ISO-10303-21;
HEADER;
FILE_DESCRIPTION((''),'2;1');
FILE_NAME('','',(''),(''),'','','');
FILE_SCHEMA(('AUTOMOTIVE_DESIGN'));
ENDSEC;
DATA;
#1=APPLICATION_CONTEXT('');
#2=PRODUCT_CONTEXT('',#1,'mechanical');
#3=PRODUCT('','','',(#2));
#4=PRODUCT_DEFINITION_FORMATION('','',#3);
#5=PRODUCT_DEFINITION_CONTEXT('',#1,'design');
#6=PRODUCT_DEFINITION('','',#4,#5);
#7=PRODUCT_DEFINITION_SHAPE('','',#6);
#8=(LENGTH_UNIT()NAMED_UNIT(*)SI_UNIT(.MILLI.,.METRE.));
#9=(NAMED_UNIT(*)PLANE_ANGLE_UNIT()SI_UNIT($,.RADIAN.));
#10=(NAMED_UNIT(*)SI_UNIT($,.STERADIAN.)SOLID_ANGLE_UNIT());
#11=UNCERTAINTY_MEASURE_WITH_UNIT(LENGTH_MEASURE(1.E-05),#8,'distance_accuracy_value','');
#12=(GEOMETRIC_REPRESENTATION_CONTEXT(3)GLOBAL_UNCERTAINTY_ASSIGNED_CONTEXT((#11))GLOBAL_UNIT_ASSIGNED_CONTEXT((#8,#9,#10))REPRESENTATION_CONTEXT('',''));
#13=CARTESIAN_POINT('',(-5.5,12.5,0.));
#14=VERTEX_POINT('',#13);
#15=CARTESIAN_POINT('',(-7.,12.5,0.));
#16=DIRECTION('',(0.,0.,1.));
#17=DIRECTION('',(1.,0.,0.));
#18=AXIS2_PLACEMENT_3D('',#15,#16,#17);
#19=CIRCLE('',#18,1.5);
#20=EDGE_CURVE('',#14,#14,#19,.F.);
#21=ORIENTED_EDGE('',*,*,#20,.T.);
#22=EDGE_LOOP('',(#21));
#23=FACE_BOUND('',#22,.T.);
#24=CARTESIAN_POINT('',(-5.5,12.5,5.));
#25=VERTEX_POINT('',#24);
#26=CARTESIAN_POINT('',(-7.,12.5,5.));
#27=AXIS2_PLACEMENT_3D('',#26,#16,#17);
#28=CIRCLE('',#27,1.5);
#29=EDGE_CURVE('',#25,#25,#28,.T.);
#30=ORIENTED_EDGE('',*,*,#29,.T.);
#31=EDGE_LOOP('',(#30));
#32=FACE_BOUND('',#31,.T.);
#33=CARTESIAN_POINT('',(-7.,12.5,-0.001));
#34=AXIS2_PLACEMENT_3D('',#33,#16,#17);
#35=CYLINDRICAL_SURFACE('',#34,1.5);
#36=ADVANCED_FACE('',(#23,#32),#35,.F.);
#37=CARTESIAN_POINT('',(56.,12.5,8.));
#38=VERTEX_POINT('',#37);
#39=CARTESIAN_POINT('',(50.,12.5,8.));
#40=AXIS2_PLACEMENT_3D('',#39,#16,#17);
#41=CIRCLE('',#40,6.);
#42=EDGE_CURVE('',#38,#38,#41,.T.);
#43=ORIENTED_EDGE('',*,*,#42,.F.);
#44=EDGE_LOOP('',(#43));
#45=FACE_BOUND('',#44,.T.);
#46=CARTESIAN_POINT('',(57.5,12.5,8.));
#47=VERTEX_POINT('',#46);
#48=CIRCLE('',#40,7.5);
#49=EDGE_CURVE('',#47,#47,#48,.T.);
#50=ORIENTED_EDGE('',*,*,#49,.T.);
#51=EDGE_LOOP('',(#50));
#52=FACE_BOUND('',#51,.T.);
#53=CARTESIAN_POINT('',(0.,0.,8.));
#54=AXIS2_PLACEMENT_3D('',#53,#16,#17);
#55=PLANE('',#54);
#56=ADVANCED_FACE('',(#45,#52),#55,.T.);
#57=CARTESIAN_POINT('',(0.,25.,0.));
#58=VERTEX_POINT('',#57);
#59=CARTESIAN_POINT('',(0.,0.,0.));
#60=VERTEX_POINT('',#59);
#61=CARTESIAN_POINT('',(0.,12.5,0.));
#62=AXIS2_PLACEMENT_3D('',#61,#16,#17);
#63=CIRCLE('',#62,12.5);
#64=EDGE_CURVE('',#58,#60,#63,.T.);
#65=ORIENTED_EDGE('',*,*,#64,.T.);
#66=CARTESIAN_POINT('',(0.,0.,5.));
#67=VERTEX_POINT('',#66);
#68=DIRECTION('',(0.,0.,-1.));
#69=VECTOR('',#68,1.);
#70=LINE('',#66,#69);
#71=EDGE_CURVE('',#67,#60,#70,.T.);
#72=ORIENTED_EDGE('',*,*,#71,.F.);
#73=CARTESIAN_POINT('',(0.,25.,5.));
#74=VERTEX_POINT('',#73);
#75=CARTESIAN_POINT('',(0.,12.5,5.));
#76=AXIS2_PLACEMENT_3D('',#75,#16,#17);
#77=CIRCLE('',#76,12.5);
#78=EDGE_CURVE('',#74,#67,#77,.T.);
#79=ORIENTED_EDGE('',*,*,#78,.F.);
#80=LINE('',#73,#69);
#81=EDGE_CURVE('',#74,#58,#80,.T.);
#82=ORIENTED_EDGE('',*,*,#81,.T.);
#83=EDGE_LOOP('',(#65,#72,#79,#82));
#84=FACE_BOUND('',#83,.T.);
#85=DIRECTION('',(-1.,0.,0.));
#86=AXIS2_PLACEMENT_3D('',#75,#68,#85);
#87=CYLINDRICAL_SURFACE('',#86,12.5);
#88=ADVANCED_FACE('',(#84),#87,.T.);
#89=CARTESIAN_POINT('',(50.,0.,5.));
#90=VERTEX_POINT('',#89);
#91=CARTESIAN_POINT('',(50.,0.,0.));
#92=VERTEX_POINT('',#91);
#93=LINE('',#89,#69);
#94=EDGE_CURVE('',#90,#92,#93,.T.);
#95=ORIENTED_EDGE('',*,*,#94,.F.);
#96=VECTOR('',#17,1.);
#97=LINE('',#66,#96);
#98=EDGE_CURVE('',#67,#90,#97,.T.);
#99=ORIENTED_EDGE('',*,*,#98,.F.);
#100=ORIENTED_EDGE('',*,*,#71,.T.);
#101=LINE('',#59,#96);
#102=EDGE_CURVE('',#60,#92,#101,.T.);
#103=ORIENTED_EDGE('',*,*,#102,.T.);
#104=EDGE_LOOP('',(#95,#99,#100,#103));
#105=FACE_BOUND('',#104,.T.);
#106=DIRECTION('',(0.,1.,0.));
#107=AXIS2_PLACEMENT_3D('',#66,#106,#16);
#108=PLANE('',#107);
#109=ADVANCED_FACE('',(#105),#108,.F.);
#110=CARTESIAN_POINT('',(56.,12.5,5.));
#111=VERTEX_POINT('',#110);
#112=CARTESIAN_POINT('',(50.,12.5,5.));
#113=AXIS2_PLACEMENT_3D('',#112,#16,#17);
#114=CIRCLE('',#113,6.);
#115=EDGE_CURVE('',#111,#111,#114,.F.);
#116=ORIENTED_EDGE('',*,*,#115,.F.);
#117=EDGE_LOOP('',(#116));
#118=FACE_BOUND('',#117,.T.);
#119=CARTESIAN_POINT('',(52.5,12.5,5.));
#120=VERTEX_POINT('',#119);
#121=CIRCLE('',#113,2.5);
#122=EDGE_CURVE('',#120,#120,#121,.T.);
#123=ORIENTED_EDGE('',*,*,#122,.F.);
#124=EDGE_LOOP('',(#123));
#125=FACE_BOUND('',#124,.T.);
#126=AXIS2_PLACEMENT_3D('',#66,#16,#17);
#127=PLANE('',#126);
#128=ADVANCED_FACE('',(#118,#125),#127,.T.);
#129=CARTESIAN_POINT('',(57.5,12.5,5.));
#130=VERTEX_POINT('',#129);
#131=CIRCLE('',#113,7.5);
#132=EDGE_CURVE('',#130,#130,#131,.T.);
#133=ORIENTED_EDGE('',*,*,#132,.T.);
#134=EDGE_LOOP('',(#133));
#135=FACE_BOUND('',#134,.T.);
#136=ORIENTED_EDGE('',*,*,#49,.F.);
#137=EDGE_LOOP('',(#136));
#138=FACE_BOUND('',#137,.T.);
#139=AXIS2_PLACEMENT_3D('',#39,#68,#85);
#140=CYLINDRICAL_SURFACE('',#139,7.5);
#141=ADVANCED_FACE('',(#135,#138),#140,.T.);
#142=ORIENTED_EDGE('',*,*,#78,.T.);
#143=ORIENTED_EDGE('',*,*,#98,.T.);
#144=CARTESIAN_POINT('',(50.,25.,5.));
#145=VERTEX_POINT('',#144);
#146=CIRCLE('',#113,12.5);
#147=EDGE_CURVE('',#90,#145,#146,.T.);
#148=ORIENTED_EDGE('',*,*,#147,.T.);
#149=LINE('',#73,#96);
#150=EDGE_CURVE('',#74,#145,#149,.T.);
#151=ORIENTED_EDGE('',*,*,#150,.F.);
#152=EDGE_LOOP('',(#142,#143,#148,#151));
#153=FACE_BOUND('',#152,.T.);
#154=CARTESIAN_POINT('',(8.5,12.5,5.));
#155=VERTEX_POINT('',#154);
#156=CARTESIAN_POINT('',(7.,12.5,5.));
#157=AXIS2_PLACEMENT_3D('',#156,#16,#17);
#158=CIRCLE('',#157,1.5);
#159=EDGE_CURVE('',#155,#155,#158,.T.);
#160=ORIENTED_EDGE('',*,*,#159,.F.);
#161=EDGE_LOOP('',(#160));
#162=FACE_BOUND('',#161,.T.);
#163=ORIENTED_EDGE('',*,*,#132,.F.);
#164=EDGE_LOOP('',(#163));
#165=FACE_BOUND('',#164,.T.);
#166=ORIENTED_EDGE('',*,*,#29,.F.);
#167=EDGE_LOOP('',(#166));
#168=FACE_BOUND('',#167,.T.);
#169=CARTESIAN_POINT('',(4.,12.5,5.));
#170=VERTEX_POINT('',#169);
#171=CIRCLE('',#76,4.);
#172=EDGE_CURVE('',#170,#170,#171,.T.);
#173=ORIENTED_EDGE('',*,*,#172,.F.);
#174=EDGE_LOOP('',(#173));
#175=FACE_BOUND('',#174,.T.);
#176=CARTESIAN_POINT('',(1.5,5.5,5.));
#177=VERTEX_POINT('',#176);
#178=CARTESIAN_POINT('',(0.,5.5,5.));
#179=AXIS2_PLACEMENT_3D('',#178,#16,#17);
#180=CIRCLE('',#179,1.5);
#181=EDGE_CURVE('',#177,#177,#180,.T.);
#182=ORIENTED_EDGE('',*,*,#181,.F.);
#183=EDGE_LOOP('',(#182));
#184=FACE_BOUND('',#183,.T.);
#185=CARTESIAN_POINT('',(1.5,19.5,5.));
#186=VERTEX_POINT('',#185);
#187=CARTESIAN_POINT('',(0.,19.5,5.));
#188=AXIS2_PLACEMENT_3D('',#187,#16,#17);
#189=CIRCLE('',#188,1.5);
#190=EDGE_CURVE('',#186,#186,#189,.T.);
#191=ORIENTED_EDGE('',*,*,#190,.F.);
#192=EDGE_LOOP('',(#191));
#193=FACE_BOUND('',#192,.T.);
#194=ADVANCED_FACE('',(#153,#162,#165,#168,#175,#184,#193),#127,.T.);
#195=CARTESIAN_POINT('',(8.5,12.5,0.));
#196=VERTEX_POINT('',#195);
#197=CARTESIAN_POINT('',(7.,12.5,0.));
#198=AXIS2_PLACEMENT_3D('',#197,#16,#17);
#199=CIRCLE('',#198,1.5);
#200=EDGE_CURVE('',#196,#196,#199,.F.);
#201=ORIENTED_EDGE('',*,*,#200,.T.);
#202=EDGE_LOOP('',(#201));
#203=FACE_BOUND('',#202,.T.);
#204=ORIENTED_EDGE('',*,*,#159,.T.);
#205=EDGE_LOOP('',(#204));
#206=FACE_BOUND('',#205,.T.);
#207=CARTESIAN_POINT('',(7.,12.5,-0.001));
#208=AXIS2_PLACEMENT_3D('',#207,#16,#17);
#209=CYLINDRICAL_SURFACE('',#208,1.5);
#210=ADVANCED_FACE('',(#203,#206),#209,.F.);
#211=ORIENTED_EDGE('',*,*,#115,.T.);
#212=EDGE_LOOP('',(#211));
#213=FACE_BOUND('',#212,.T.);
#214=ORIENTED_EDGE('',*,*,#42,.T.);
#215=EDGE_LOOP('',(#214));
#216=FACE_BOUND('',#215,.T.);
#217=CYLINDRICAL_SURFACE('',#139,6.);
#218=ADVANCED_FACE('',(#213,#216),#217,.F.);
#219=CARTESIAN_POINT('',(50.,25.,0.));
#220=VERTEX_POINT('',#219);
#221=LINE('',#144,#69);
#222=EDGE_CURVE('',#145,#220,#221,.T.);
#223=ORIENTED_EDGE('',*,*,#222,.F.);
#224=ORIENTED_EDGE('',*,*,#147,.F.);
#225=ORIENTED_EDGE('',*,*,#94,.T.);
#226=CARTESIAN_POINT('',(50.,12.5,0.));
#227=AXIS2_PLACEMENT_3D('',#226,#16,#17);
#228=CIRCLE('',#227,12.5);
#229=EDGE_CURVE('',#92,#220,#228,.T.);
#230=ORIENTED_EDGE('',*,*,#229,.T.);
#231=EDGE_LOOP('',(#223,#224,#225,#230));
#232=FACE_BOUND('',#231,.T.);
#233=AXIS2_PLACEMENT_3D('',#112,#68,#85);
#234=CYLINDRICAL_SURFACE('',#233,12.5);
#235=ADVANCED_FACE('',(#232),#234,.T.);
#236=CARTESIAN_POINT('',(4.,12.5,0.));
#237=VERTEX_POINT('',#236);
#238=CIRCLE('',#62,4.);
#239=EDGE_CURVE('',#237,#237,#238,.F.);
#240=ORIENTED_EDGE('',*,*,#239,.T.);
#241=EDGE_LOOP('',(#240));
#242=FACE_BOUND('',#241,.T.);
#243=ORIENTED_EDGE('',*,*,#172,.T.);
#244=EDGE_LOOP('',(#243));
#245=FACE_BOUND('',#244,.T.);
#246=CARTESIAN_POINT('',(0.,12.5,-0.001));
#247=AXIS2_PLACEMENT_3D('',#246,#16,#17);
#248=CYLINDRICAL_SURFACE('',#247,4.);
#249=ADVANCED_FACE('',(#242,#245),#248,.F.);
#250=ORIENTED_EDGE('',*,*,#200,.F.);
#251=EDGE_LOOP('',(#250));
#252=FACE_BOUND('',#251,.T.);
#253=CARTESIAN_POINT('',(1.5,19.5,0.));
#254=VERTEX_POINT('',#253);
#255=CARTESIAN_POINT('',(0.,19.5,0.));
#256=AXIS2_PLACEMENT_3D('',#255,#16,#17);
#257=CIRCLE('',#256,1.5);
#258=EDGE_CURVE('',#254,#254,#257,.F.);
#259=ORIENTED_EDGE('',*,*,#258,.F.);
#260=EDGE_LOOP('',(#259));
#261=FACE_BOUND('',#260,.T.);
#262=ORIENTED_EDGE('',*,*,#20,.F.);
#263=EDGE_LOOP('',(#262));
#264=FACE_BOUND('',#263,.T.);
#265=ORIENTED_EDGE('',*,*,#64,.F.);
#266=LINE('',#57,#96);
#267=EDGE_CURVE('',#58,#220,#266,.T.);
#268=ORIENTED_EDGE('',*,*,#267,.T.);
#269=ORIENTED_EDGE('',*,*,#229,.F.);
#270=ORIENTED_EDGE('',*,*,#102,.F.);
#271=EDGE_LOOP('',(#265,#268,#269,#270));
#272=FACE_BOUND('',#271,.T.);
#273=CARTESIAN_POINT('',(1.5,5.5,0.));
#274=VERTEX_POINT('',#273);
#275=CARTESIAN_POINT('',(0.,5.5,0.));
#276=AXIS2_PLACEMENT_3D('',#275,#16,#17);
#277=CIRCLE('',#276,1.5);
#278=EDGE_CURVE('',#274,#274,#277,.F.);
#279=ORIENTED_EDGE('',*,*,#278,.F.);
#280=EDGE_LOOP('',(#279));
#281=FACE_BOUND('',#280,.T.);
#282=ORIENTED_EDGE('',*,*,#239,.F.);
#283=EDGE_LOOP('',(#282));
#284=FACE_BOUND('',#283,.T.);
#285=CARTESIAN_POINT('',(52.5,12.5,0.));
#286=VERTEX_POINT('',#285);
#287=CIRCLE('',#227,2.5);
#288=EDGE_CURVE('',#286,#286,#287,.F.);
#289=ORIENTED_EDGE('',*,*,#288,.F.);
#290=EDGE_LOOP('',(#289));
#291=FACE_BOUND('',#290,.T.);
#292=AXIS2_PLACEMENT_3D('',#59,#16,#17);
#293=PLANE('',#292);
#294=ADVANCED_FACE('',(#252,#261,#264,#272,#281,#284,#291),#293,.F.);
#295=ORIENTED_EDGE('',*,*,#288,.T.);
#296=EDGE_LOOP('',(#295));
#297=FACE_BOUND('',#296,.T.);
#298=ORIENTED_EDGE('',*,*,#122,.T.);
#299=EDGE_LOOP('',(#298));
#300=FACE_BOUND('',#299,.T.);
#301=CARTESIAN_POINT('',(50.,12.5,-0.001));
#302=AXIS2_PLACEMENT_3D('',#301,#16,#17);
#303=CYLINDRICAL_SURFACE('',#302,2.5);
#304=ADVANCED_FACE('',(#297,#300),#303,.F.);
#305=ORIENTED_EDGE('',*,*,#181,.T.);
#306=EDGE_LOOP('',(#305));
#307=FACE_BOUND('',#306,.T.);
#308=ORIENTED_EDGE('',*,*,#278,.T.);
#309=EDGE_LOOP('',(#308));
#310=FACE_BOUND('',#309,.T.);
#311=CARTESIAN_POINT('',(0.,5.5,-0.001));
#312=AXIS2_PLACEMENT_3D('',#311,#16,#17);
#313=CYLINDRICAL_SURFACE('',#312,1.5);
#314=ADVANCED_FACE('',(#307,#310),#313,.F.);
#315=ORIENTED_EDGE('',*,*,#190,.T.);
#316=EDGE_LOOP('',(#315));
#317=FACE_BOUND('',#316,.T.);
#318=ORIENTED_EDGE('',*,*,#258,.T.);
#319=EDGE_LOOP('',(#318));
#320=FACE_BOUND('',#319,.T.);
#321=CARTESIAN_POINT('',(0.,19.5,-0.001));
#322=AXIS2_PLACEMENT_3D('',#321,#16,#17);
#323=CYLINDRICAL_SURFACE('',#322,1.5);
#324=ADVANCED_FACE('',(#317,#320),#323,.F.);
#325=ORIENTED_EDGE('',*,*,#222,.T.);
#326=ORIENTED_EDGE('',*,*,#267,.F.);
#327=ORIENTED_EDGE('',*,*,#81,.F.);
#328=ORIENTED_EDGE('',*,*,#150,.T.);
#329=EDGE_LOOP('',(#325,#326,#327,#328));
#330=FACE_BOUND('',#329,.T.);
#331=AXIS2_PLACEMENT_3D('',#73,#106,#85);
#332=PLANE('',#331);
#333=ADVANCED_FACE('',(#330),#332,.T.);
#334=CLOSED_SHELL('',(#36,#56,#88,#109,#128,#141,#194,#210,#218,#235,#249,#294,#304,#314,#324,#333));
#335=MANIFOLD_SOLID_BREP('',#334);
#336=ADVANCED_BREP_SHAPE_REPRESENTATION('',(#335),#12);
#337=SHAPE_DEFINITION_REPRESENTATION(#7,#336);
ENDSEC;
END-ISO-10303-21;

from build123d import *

# Parameters (mm, degrees)
SKETCH1_R           = 12.5
SKETCH1_W           = 50
SKETCH1_H           = 25
BOSS_EXTRUDE2_DEPTH = 5
CUT_EXTRUDE3_REACH  = 69.5
SKETCH3_R           = 4
SKETCH3_R_2         = 2.5
SKETCH3_3_R         = 7.5
SKETCH3_3_R_2       = 6
BOSS_EXTRUDE3_DEPTH = 3
CUT_EXTRUDE4_REACH  = 69.5
SKETCH3_4_R         = 1.5


with BuildPart() as part:
    # Sketch1 → Boss-Extrude2 (new body)
    with BuildSketch(Plane.XY):
        with Locations((0, 12.5)):
            Circle(SKETCH1_R)
        with Locations((50, 12.5)):
            Circle(SKETCH1_R)
        with Locations((25, 12.5)):
            Rectangle(SKETCH1_W, SKETCH1_H)
    extrude(amount=BOSS_EXTRUDE2_DEPTH)

    # Sketch3 → Cut-Extrude3 (cut, up to next)
    with BuildSketch(Plane.XY.offset(5), mode=Mode.PRIVATE) as cut_extrude3_sk1:
        with Locations((0, 12.5)):
            Circle(SKETCH3_R)
    cut_extrude3_tool1 = extrude(cut_extrude3_sk1.sketch, amount=-CUT_EXTRUDE3_REACH, mode=Mode.PRIVATE) & part.part
    # Sketch3 → Cut-Extrude3 (cut, up to next)
    with BuildSketch(Plane.XY.offset(5), mode=Mode.PRIVATE) as cut_extrude3_sk2:
        with Locations((50, 12.5)):
            Circle(SKETCH3_R_2)
    cut_extrude3_tool2 = extrude(cut_extrude3_sk2.sketch, amount=-CUT_EXTRUDE3_REACH, mode=Mode.PRIVATE) & part.part
    add(cut_extrude3_tool1.solids().sort_by_distance((0, 12.5, 5))[0], mode=Mode.SUBTRACT)
    add(cut_extrude3_tool2.solids().sort_by_distance((50, 12.5, 5))[0], mode=Mode.SUBTRACT)

    # Sketch3<3> → Boss-Extrude3 (add)
    with BuildSketch(Plane.XY.offset(5)):
        with Locations((50, 12.5)):
            Circle(SKETCH3_3_R)
        with Locations((50, 12.5)):
            Circle(SKETCH3_3_R_2, mode=Mode.SUBTRACT)
    extrude(amount=BOSS_EXTRUDE3_DEPTH)

    # Sketch3<4> → Cut-Extrude4 (cut, up to next)
    with BuildSketch(Plane.XY.offset(5), mode=Mode.PRIVATE) as cut_extrude4_sk1:
        with Locations((-7, 12.5)):
            Circle(SKETCH3_4_R)
    cut_extrude4_tool1 = extrude(cut_extrude4_sk1.sketch, amount=-CUT_EXTRUDE4_REACH, mode=Mode.PRIVATE) & part.part
    # Sketch3<4> → Cut-Extrude4 (cut, up to next)
    with BuildSketch(Plane.XY.offset(5), mode=Mode.PRIVATE) as cut_extrude4_sk2:
        with Locations((0, 19.5)):
            Circle(SKETCH3_4_R)
    cut_extrude4_tool2 = extrude(cut_extrude4_sk2.sketch, amount=-CUT_EXTRUDE4_REACH, mode=Mode.PRIVATE) & part.part
    # Sketch3<4> → Cut-Extrude4 (cut, up to next)
    with BuildSketch(Plane.XY.offset(5), mode=Mode.PRIVATE) as cut_extrude4_sk3:
        with Locations((7, 12.5)):
            Circle(SKETCH3_4_R)
    cut_extrude4_tool3 = extrude(cut_extrude4_sk3.sketch, amount=-CUT_EXTRUDE4_REACH, mode=Mode.PRIVATE) & part.part
    # Sketch3<4> → Cut-Extrude4 (cut, up to next)
    with BuildSketch(Plane.XY.offset(5), mode=Mode.PRIVATE) as cut_extrude4_sk4:
        with Locations((0, 5.5)):
            Circle(SKETCH3_4_R)
    cut_extrude4_tool4 = extrude(cut_extrude4_sk4.sketch, amount=-CUT_EXTRUDE4_REACH, mode=Mode.PRIVATE) & part.part
    add(cut_extrude4_tool1.solids().sort_by_distance((-7, 12.5, 5))[0], mode=Mode.SUBTRACT)
    add(cut_extrude4_tool2.solids().sort_by_distance((0, 19.5, 5))[0], mode=Mode.SUBTRACT)
    add(cut_extrude4_tool3.solids().sort_by_distance((7, 12.5, 5))[0], mode=Mode.SUBTRACT)
    add(cut_extrude4_tool4.solids().sort_by_distance((0, 5.5, 5))[0], mode=Mode.SUBTRACT)


solid = part.part
